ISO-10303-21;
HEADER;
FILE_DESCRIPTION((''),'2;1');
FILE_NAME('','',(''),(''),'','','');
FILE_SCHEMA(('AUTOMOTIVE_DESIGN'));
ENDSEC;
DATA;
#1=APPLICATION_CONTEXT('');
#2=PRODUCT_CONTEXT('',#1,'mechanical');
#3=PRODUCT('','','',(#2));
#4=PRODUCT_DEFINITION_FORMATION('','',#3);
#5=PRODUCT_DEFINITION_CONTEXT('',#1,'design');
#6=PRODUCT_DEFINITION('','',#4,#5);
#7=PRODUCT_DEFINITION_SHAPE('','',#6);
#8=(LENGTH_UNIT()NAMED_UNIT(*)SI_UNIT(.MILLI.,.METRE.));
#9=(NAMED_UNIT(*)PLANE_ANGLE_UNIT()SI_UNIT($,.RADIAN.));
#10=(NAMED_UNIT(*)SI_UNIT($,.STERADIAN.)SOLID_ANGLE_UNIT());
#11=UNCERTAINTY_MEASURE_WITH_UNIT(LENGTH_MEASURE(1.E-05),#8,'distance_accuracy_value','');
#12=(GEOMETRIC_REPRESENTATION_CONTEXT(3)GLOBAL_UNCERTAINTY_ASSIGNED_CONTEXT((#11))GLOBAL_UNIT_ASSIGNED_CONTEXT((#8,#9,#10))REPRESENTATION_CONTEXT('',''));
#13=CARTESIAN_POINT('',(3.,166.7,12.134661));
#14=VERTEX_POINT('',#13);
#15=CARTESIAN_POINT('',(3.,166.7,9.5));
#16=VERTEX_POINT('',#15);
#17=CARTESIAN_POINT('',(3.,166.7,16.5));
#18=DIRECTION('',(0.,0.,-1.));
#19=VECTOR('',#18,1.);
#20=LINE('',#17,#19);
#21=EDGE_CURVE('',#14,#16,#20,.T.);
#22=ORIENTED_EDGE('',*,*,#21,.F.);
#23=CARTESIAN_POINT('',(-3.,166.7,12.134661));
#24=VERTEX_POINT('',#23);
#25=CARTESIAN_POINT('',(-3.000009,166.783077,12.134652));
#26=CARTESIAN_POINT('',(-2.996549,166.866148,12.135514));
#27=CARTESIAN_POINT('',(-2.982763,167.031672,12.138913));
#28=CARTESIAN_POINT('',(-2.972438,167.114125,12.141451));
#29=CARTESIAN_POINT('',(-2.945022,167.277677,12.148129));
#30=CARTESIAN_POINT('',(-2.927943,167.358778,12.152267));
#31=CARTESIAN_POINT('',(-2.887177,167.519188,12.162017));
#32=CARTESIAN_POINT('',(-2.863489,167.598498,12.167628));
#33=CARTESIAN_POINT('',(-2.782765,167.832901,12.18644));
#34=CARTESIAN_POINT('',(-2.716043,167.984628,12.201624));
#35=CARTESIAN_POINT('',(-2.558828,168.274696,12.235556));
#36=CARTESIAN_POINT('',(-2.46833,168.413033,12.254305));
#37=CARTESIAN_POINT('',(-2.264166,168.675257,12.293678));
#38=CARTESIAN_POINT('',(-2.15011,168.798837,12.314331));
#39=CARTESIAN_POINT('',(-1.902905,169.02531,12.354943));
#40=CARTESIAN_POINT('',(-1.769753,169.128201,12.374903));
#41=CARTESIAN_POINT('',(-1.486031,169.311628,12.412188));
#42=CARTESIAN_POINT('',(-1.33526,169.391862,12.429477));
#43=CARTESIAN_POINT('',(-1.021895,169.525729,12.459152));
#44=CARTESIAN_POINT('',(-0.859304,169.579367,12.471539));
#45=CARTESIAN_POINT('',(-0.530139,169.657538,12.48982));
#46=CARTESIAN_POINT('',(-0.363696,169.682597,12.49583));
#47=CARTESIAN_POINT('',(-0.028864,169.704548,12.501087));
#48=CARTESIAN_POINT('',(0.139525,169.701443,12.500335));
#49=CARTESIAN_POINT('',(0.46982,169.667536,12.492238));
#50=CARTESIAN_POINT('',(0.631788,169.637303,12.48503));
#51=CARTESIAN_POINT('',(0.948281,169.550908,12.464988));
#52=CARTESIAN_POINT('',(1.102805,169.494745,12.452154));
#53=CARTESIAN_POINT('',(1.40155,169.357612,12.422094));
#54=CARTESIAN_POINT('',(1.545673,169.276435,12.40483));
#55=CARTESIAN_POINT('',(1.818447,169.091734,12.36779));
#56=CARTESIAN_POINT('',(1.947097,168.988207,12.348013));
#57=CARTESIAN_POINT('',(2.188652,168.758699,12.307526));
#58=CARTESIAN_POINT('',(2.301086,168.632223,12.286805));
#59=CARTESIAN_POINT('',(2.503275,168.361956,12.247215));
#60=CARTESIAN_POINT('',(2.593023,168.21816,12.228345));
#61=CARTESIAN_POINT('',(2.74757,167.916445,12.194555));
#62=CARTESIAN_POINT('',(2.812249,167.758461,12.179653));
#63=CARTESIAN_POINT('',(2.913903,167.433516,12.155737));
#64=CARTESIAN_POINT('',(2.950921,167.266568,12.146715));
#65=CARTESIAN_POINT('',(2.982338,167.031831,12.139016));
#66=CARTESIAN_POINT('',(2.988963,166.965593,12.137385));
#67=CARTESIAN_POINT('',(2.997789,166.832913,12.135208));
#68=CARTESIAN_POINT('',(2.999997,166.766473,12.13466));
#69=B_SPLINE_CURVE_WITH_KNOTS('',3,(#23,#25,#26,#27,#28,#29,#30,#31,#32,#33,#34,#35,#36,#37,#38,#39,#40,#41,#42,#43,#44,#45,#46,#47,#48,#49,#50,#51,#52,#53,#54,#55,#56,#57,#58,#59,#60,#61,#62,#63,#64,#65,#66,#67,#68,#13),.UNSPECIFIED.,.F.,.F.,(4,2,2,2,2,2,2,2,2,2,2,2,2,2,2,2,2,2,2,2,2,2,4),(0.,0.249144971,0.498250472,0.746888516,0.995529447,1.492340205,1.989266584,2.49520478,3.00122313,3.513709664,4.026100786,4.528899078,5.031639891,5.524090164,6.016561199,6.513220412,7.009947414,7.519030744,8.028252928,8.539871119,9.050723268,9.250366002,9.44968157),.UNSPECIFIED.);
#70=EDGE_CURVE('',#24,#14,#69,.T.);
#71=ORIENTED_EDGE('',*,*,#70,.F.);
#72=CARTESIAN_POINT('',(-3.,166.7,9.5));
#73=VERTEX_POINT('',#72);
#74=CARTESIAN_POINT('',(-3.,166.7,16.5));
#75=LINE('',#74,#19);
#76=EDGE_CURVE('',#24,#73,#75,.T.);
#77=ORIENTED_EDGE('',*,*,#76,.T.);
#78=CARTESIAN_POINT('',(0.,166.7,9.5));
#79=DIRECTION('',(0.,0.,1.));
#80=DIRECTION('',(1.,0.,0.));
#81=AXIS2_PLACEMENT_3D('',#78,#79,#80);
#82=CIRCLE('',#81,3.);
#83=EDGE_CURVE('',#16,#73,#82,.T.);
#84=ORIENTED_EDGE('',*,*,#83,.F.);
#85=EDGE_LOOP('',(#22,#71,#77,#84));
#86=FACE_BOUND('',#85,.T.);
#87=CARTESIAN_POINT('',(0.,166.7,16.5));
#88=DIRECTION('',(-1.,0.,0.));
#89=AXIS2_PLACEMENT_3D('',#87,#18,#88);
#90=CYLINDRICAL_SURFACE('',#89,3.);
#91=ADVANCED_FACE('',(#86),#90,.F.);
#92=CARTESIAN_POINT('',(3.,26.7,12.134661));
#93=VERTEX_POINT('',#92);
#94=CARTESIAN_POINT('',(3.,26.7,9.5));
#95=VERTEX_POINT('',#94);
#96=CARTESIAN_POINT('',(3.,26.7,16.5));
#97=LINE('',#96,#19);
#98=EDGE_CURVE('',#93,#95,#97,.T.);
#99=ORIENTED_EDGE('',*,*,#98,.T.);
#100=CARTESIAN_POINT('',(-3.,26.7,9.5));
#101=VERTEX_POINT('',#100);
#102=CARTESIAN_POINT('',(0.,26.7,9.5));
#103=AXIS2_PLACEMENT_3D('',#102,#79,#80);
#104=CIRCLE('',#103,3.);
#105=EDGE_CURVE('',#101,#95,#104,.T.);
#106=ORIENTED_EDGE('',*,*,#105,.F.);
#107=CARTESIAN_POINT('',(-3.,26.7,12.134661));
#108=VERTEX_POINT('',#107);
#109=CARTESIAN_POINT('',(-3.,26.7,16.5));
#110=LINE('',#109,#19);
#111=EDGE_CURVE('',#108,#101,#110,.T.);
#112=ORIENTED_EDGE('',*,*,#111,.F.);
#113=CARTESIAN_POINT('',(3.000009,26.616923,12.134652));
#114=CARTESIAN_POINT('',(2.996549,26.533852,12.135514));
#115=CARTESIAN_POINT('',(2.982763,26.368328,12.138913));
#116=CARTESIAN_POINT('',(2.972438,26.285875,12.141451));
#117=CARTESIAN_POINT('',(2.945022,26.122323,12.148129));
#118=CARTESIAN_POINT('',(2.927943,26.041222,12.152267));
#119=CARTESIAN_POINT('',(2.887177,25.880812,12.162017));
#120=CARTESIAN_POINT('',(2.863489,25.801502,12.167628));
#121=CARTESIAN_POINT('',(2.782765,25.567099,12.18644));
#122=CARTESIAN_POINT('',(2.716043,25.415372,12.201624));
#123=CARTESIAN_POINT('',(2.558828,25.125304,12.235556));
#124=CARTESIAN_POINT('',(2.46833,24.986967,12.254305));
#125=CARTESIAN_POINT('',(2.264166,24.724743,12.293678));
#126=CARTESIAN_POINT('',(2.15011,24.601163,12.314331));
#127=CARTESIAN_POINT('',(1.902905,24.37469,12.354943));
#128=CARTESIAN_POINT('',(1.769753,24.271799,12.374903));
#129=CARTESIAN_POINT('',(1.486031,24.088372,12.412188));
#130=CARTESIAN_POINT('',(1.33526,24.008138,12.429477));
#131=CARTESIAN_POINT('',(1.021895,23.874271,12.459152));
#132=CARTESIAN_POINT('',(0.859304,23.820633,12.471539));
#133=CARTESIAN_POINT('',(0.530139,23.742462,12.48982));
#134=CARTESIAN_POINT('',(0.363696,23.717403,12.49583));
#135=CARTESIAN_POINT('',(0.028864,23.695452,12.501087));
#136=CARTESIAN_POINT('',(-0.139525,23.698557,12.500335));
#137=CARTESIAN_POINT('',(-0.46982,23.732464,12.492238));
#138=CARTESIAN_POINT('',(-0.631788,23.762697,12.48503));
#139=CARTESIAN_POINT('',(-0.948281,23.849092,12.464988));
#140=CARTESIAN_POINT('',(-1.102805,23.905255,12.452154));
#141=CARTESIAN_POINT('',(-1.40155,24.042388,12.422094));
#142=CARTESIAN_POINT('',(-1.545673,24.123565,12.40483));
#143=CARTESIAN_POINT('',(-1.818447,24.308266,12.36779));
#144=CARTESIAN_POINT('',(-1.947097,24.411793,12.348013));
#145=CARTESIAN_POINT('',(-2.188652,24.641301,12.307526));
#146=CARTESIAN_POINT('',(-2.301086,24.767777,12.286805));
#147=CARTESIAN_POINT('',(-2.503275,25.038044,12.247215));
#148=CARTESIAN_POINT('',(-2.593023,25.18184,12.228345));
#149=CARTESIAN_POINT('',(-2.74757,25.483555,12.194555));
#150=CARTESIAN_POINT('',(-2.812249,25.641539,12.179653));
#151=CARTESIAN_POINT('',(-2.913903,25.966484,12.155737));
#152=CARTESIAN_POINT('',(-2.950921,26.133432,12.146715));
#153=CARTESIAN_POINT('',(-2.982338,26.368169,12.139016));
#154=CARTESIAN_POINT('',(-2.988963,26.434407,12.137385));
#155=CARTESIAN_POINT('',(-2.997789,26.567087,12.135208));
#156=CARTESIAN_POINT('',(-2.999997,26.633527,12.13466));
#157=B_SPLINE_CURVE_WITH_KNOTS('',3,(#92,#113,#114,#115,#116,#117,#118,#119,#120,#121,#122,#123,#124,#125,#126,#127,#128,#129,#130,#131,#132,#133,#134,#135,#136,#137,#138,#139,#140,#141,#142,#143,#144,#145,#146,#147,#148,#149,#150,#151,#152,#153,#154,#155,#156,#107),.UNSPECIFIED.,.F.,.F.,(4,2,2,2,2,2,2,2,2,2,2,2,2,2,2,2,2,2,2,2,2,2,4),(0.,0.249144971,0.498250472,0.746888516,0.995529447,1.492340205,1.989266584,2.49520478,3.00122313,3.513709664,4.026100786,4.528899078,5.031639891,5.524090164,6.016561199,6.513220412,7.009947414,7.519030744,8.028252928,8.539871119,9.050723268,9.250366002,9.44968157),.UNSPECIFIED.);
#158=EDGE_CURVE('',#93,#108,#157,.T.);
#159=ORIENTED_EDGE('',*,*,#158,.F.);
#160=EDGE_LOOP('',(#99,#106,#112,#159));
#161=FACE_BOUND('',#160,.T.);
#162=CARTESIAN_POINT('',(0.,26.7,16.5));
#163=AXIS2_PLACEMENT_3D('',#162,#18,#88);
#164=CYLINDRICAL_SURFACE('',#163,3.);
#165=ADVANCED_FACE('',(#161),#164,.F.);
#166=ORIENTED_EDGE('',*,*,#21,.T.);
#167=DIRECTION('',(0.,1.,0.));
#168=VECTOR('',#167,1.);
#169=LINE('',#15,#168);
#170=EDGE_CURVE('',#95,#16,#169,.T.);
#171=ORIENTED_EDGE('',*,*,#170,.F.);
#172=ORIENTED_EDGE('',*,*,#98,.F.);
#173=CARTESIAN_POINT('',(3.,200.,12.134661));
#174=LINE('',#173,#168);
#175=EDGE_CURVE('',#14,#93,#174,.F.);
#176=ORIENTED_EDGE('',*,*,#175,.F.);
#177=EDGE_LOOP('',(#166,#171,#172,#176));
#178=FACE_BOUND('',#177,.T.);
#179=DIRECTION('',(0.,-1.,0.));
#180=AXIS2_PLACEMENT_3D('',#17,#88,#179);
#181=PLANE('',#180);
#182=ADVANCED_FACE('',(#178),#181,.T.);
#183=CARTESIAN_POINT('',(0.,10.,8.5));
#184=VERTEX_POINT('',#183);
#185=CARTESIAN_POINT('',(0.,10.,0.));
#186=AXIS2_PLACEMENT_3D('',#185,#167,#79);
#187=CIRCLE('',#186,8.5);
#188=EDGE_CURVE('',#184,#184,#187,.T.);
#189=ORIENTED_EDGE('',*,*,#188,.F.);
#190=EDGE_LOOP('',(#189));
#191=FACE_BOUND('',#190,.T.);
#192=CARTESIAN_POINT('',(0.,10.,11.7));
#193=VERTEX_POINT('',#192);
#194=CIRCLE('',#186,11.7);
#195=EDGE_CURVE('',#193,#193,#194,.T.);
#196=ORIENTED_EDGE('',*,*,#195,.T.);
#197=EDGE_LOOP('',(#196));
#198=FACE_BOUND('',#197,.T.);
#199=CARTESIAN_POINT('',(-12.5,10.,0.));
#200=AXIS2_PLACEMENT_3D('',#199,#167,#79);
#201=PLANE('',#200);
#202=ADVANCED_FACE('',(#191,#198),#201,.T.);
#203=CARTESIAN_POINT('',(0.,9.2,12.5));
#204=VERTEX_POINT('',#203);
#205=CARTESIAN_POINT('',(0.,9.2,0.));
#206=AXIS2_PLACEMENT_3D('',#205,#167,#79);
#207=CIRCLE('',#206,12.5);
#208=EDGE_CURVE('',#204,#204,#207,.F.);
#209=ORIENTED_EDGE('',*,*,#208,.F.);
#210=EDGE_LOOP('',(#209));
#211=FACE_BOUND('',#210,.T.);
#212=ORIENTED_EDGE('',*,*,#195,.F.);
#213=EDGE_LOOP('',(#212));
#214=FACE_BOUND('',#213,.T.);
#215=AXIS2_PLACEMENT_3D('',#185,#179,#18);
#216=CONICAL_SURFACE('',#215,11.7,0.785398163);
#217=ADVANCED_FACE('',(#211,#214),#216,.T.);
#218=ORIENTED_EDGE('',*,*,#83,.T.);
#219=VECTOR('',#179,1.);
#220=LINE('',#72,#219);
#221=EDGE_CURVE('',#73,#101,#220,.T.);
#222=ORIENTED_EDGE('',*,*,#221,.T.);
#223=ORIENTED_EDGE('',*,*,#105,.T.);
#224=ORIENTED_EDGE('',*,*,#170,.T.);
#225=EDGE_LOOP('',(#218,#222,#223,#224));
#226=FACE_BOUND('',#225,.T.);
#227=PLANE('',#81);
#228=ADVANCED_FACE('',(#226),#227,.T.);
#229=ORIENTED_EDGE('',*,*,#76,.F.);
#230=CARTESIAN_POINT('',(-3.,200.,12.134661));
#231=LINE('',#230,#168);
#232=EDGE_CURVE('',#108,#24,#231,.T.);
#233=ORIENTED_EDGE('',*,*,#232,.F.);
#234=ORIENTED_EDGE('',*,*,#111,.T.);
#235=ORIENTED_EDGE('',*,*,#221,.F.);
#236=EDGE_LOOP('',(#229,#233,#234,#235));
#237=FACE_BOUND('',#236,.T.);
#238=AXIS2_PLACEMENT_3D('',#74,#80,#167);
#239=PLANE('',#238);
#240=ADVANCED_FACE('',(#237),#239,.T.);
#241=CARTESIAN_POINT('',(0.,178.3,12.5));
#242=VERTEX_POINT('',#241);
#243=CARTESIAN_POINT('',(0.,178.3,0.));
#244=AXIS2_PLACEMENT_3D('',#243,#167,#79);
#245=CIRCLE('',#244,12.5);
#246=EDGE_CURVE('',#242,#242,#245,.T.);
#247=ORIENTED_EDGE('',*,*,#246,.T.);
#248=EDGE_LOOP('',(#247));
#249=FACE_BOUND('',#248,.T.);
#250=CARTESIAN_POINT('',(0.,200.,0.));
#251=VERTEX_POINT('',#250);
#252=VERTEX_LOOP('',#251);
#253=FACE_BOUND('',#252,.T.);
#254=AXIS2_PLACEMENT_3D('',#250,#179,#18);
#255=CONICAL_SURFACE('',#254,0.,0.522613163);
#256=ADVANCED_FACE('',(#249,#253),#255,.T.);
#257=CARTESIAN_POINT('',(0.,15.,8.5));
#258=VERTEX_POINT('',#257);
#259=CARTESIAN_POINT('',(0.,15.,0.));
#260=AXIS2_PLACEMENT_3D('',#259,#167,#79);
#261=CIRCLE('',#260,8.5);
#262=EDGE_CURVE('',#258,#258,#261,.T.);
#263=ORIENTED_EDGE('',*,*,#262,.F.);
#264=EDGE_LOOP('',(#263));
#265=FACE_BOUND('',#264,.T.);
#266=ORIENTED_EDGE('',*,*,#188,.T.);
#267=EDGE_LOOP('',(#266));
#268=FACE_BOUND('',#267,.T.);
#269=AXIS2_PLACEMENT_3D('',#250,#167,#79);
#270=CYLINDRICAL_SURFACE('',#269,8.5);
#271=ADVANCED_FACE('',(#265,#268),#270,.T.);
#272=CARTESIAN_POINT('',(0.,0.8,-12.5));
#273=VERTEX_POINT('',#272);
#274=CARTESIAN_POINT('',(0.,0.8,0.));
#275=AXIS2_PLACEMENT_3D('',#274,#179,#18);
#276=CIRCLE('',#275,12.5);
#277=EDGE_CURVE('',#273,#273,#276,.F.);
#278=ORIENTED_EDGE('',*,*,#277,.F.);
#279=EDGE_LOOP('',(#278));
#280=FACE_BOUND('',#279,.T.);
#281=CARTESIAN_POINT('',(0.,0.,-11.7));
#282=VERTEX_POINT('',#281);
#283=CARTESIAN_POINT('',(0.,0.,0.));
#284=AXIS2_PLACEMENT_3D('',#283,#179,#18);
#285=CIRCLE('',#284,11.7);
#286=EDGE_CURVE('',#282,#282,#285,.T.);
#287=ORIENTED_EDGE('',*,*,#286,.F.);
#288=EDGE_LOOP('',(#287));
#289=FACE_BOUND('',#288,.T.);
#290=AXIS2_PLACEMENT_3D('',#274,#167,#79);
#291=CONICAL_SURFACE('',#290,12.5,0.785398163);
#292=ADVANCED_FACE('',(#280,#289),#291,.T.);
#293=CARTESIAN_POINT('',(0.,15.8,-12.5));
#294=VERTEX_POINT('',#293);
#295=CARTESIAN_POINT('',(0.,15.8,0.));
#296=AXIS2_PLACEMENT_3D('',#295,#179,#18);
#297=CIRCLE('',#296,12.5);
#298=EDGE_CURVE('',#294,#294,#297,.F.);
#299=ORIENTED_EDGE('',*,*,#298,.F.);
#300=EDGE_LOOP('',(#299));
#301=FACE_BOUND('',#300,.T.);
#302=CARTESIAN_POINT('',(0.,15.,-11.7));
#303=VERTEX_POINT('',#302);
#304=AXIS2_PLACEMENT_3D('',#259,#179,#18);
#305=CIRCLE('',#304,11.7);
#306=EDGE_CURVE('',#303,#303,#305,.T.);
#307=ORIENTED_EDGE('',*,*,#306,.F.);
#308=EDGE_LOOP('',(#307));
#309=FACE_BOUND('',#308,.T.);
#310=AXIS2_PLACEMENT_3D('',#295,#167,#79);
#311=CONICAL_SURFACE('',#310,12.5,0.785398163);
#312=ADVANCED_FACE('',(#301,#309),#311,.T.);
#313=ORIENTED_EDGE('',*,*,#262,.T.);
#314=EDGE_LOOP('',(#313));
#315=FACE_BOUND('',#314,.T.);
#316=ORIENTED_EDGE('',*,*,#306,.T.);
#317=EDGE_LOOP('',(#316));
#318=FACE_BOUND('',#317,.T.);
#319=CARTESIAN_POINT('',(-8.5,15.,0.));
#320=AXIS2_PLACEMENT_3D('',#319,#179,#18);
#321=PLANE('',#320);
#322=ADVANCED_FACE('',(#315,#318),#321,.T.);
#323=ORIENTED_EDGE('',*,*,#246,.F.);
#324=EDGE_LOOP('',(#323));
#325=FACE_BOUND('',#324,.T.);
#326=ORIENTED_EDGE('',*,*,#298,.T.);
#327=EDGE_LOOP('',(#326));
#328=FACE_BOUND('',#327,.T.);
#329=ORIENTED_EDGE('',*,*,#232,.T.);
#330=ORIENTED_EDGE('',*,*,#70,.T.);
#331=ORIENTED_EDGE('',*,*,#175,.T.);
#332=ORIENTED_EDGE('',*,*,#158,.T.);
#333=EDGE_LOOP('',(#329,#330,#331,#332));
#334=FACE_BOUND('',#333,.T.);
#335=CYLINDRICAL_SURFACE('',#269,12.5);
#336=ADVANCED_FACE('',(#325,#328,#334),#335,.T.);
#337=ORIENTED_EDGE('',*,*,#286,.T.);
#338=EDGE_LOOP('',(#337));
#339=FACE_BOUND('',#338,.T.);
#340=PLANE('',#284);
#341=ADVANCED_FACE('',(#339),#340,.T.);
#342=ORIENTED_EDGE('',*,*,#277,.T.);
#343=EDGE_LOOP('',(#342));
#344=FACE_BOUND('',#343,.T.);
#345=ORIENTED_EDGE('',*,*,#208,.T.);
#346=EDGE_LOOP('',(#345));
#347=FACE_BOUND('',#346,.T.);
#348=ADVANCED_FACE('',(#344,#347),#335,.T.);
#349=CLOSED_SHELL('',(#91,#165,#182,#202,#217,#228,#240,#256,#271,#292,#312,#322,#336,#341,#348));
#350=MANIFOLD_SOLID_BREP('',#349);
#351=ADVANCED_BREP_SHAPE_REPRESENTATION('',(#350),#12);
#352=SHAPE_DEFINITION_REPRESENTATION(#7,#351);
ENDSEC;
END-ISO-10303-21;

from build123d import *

# Parameters (mm, degrees)
CORTAR_EXTRUIR1_START = 9.5
CORTAR_EXTRUIR1_DEPTH = 7
CHAFL_N1_SIZE         = 0.8


with BuildPart() as part:
    # Croquis2 → Revolución1 (revolve)
    with BuildSketch(Plane.XY):
        Polygon((0, 0), (-12.5, 0), (-12.5, 10), (-8.5, 10), (-8.5, 15), (-12.5, 15), (-12.5, 178.3), (0, 200), align=None)
    revolve(axis=Axis((0, 200, 0), (0, -1, 0)))

    # Croquis3 → Cortar-Extruir1 (cut)
    with BuildSketch(Plane.XY.offset(CORTAR_EXTRUIR1_START)):
        with BuildLine():
            Line((3, 166.7), (3, 26.7))
            ThreePointArc((3, 26.7), (0, 23.7), (-3, 26.7))
            Line((-3, 26.7), (-3, 166.7))
            ThreePointArc((-3, 166.7), (0, 169.7), (3, 166.7))
        make_face()
    extrude(amount=CORTAR_EXTRUIR1_DEPTH, mode=Mode.SUBTRACT)

    # Chaflán1
    chafl_n1_edges = [part.edges().sort_by_distance(p)[0] for p in [
        (12.5, 15, 0),
        (12.5, 10, 0),
        (12.5, 0, 0),
    ]]
    chamfer(chafl_n1_edges, length=CHAFL_N1_SIZE)


solid = part.part
